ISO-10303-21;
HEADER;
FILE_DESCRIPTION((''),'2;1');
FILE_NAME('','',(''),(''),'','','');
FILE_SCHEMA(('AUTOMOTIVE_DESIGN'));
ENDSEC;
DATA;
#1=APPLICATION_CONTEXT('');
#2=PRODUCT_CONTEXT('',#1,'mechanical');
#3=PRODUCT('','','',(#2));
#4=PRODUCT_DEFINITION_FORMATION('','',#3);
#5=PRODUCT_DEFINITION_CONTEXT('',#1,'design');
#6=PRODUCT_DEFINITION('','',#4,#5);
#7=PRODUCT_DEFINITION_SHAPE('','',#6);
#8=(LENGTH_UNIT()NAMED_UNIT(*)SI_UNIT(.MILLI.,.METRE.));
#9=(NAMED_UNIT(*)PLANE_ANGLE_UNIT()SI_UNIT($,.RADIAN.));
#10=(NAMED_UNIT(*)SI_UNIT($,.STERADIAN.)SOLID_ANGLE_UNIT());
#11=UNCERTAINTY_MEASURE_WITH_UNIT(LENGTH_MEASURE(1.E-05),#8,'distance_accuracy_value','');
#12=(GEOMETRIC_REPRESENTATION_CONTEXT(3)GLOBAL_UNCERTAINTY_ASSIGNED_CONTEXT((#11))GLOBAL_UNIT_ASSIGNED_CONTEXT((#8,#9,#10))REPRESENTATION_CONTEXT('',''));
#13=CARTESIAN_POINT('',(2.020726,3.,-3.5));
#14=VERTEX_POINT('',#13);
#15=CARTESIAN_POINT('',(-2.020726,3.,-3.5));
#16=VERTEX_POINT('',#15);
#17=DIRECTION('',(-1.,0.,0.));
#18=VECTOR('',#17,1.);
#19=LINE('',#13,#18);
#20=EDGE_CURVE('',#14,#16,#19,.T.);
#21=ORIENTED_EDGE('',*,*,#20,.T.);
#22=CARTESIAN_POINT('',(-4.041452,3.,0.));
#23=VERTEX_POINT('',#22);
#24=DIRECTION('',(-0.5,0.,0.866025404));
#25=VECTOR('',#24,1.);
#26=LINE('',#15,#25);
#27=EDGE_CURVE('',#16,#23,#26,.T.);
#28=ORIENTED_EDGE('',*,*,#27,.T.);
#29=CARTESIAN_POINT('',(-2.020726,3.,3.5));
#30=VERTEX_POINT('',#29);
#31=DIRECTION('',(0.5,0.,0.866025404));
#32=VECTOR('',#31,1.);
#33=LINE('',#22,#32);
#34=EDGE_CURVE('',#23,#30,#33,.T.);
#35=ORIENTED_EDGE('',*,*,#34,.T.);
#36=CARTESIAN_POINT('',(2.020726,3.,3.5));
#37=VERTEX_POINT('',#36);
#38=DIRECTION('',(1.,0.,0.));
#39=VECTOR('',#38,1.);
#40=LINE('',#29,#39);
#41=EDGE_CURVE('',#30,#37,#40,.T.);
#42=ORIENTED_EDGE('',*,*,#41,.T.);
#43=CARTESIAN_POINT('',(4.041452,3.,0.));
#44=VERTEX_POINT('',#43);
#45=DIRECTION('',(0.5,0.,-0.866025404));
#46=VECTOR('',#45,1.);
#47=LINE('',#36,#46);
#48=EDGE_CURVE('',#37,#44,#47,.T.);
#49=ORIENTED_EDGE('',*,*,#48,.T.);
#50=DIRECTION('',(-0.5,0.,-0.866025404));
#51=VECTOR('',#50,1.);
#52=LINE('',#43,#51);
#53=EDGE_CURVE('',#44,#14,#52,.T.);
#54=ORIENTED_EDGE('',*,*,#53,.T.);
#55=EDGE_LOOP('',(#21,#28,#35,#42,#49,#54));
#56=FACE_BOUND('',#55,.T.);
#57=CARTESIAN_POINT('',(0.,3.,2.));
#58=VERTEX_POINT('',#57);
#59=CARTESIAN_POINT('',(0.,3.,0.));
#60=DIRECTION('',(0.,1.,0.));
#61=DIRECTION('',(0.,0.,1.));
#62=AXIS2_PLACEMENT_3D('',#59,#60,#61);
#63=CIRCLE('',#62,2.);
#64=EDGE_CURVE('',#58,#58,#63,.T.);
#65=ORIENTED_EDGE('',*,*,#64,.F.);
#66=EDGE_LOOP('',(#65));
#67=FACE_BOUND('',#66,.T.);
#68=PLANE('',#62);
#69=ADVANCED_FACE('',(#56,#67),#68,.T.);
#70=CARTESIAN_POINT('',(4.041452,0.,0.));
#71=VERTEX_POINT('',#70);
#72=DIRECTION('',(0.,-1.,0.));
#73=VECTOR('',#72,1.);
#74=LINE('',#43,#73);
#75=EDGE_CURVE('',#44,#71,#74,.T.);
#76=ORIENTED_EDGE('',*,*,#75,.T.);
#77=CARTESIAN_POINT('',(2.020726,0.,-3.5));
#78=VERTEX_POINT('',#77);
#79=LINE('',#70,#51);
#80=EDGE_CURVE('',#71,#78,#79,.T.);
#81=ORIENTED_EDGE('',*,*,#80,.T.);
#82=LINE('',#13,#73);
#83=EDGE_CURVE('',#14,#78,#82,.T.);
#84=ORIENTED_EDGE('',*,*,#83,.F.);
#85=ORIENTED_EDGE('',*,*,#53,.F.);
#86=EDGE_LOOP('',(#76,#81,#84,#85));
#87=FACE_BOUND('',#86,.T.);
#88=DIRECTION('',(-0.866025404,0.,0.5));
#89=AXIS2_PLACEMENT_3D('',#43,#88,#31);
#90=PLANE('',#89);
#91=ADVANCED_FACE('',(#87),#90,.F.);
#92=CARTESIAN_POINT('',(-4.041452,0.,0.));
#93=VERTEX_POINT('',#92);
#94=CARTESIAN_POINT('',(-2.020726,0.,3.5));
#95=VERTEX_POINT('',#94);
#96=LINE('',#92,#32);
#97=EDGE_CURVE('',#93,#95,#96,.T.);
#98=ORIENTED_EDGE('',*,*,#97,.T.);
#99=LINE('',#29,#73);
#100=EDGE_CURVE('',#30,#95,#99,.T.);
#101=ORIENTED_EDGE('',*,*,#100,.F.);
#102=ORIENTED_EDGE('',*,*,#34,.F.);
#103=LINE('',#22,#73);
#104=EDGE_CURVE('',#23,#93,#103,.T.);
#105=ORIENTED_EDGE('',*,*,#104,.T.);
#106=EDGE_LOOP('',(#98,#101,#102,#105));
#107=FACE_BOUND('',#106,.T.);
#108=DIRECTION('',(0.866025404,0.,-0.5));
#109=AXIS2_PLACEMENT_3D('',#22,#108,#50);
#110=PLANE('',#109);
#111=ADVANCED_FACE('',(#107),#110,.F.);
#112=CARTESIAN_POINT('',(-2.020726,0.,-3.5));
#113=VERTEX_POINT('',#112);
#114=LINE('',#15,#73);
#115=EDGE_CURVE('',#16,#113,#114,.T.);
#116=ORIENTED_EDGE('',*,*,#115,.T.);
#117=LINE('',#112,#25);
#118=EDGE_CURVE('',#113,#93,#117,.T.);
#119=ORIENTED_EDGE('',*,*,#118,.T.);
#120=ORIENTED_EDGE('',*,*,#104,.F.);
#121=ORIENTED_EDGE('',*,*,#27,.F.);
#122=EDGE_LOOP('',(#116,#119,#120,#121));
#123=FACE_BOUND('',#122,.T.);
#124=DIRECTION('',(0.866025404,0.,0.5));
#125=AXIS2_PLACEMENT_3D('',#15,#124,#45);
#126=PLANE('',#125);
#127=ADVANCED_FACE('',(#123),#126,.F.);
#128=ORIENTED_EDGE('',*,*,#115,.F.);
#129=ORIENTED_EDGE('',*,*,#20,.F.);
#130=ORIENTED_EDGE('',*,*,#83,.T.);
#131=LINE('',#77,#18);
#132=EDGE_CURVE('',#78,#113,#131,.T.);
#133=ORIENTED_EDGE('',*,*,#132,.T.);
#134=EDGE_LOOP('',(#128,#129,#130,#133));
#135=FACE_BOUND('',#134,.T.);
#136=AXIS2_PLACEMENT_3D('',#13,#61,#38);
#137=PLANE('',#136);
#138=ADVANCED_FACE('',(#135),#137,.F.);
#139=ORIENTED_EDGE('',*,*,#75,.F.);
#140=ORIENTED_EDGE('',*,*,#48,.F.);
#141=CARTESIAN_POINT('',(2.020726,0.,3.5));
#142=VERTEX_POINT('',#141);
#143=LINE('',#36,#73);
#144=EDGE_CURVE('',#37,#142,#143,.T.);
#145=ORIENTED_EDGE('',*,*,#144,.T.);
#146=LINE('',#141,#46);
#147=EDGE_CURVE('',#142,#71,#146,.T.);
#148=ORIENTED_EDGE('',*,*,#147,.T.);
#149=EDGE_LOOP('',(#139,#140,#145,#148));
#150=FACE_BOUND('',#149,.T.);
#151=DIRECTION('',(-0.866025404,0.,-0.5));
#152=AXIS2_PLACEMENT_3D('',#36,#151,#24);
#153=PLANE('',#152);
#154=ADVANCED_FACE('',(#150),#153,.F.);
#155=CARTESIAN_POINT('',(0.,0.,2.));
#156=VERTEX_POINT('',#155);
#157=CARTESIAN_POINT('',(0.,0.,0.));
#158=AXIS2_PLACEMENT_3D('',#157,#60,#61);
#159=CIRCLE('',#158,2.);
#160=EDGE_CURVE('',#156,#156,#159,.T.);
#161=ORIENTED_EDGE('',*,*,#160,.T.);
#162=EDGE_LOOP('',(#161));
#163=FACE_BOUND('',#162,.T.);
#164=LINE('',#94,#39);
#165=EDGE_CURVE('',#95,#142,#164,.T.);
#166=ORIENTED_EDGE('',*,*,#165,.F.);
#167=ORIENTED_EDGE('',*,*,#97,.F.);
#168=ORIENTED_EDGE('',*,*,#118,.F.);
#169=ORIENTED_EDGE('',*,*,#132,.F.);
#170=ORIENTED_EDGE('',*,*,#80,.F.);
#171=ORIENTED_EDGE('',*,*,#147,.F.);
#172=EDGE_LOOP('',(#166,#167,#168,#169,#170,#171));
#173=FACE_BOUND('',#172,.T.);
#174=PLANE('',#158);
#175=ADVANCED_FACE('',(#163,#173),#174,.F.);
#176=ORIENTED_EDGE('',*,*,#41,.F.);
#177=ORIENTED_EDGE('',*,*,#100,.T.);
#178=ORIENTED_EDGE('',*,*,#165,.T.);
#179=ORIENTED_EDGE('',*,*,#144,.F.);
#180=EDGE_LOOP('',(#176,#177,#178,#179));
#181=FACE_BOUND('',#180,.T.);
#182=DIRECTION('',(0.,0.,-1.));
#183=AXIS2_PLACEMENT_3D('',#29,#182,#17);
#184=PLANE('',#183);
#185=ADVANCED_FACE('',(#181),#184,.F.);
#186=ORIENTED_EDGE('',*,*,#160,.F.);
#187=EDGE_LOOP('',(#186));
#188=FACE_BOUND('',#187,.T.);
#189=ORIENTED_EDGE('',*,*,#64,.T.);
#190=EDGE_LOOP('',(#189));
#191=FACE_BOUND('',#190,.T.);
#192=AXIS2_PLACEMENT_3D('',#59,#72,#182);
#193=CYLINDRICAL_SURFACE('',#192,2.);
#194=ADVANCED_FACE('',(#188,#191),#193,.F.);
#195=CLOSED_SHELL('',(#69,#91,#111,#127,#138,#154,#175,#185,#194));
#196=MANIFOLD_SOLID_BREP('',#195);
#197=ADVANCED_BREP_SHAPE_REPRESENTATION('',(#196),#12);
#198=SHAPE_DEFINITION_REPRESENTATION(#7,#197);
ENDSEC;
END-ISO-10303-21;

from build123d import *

# Parameters (mm, degrees)
SKETCH_1_R      = 2
EXTRUDE_1_DEPTH = 3


with BuildPart() as part:
    # 草图1 → 凸台-拉伸1 (new body)
    with BuildSketch(Plane(origin=(0, 0, 0), x_dir=(1, 0, 0), z_dir=(0, 1, 0))):
        Polygon((4.041451884, 0), (2.020725942, 3.5), (-2.020725942, 3.5), (-4.041451884, 0), (-2.020725942, -3.5), (2.020725942, -3.5), align=None)
        Circle(SKETCH_1_R, mode=Mode.SUBTRACT)
    extrude(amount=EXTRUDE_1_DEPTH)


solid = part.part
